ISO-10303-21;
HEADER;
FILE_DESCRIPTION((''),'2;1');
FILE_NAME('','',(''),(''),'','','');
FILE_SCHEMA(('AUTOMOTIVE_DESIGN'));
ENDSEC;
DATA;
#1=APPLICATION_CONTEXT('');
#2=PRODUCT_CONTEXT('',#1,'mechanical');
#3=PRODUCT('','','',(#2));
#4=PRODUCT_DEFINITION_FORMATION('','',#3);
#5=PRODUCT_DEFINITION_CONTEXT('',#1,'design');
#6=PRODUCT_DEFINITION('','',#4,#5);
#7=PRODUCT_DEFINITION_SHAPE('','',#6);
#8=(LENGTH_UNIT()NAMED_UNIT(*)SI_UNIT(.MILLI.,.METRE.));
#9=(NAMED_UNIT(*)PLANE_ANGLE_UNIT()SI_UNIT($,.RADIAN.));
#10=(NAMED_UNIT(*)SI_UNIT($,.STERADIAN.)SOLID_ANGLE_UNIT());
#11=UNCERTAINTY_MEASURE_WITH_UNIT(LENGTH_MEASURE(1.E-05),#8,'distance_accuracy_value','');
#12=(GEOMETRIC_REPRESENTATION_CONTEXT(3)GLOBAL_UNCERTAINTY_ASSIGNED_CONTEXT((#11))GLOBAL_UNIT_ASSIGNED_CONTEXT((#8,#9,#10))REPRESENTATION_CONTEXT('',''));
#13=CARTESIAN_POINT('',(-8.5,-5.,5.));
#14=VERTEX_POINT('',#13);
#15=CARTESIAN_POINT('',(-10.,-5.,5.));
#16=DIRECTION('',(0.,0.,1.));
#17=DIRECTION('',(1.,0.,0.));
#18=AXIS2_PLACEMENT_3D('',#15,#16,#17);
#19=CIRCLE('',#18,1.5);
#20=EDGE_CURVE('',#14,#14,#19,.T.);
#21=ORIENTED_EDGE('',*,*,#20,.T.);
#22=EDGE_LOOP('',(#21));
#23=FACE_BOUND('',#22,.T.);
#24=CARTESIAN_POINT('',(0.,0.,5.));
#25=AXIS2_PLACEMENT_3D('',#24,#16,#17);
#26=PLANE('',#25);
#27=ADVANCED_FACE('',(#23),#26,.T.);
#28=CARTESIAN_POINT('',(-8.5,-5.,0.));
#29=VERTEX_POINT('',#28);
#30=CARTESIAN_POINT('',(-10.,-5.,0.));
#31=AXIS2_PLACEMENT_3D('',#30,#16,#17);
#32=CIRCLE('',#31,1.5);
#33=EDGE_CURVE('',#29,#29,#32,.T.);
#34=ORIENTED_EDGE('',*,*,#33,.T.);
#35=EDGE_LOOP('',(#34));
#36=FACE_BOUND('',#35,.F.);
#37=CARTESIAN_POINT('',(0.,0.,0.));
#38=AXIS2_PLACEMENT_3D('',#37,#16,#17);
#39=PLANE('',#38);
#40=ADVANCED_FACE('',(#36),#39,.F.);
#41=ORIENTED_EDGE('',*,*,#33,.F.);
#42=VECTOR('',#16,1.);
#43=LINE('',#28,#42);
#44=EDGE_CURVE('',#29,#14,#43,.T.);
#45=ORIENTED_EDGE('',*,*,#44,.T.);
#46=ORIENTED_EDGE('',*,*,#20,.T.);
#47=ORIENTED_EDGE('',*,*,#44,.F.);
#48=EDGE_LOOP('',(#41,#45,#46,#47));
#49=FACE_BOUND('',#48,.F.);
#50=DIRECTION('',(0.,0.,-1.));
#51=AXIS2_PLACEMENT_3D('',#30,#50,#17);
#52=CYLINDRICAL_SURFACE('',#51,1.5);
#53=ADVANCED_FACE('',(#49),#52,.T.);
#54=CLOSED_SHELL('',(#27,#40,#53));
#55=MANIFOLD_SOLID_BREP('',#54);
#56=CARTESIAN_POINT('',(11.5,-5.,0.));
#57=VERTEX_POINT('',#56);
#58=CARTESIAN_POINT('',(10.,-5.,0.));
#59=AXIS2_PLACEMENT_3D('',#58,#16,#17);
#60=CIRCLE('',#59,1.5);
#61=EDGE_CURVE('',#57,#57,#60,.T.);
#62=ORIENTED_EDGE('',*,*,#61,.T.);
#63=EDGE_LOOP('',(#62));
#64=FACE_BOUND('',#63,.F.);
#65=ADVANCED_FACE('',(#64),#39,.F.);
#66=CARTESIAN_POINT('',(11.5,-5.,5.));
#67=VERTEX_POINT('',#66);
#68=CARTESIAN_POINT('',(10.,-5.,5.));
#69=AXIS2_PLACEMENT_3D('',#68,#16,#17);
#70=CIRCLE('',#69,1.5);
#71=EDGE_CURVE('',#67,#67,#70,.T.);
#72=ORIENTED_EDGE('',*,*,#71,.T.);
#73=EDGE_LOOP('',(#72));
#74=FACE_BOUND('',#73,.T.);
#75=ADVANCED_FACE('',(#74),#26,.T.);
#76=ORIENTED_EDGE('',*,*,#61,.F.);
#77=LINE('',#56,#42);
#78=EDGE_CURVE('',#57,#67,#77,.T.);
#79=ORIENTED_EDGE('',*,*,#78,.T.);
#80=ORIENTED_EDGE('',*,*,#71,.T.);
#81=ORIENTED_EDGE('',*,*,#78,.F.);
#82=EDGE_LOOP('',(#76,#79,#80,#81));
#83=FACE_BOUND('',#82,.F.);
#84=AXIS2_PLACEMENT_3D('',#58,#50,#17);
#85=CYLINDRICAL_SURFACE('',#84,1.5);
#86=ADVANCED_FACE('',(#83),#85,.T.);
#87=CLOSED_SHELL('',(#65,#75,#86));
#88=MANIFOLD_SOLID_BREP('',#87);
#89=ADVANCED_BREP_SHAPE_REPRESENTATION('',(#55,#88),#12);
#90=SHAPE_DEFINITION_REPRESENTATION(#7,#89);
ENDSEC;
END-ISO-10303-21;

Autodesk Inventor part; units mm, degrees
ref_plane "YZ Plane" through (0, 0, 0) normal (1, 0, 0) x (0, 1, 0)
ref_plane "XZ Plane" through (0, 0, 0) normal (0, 1, 0) x (-1, 0, 0)
ref_plane "XY Plane" through (0, 0, 0) normal (0, 0, 1) x (1, 0, 0)
ref_plane "Plano de trabajo1" through (0, 0, 0) normal (0, 0, 1) x (1, 0, 0)
sketch "Boceto1" plane through (0, 0, 0) normal (0, 0, 1) x (1, 0, 0)
  circle A0 centre (-10, -5) radius 1.5 projected
  line L0 (0, 38.6) -> (0, -35.6) construction
  circle A1 centre (10, -5) radius 1.5
  line L1 (25.5, 25) -> (-25.5, 25) construction
  point P0 (0, 0)
extrude "Extrusión1" add sketch "Boceto1" along normal blind 5
properties part number "BaseEngranes"
